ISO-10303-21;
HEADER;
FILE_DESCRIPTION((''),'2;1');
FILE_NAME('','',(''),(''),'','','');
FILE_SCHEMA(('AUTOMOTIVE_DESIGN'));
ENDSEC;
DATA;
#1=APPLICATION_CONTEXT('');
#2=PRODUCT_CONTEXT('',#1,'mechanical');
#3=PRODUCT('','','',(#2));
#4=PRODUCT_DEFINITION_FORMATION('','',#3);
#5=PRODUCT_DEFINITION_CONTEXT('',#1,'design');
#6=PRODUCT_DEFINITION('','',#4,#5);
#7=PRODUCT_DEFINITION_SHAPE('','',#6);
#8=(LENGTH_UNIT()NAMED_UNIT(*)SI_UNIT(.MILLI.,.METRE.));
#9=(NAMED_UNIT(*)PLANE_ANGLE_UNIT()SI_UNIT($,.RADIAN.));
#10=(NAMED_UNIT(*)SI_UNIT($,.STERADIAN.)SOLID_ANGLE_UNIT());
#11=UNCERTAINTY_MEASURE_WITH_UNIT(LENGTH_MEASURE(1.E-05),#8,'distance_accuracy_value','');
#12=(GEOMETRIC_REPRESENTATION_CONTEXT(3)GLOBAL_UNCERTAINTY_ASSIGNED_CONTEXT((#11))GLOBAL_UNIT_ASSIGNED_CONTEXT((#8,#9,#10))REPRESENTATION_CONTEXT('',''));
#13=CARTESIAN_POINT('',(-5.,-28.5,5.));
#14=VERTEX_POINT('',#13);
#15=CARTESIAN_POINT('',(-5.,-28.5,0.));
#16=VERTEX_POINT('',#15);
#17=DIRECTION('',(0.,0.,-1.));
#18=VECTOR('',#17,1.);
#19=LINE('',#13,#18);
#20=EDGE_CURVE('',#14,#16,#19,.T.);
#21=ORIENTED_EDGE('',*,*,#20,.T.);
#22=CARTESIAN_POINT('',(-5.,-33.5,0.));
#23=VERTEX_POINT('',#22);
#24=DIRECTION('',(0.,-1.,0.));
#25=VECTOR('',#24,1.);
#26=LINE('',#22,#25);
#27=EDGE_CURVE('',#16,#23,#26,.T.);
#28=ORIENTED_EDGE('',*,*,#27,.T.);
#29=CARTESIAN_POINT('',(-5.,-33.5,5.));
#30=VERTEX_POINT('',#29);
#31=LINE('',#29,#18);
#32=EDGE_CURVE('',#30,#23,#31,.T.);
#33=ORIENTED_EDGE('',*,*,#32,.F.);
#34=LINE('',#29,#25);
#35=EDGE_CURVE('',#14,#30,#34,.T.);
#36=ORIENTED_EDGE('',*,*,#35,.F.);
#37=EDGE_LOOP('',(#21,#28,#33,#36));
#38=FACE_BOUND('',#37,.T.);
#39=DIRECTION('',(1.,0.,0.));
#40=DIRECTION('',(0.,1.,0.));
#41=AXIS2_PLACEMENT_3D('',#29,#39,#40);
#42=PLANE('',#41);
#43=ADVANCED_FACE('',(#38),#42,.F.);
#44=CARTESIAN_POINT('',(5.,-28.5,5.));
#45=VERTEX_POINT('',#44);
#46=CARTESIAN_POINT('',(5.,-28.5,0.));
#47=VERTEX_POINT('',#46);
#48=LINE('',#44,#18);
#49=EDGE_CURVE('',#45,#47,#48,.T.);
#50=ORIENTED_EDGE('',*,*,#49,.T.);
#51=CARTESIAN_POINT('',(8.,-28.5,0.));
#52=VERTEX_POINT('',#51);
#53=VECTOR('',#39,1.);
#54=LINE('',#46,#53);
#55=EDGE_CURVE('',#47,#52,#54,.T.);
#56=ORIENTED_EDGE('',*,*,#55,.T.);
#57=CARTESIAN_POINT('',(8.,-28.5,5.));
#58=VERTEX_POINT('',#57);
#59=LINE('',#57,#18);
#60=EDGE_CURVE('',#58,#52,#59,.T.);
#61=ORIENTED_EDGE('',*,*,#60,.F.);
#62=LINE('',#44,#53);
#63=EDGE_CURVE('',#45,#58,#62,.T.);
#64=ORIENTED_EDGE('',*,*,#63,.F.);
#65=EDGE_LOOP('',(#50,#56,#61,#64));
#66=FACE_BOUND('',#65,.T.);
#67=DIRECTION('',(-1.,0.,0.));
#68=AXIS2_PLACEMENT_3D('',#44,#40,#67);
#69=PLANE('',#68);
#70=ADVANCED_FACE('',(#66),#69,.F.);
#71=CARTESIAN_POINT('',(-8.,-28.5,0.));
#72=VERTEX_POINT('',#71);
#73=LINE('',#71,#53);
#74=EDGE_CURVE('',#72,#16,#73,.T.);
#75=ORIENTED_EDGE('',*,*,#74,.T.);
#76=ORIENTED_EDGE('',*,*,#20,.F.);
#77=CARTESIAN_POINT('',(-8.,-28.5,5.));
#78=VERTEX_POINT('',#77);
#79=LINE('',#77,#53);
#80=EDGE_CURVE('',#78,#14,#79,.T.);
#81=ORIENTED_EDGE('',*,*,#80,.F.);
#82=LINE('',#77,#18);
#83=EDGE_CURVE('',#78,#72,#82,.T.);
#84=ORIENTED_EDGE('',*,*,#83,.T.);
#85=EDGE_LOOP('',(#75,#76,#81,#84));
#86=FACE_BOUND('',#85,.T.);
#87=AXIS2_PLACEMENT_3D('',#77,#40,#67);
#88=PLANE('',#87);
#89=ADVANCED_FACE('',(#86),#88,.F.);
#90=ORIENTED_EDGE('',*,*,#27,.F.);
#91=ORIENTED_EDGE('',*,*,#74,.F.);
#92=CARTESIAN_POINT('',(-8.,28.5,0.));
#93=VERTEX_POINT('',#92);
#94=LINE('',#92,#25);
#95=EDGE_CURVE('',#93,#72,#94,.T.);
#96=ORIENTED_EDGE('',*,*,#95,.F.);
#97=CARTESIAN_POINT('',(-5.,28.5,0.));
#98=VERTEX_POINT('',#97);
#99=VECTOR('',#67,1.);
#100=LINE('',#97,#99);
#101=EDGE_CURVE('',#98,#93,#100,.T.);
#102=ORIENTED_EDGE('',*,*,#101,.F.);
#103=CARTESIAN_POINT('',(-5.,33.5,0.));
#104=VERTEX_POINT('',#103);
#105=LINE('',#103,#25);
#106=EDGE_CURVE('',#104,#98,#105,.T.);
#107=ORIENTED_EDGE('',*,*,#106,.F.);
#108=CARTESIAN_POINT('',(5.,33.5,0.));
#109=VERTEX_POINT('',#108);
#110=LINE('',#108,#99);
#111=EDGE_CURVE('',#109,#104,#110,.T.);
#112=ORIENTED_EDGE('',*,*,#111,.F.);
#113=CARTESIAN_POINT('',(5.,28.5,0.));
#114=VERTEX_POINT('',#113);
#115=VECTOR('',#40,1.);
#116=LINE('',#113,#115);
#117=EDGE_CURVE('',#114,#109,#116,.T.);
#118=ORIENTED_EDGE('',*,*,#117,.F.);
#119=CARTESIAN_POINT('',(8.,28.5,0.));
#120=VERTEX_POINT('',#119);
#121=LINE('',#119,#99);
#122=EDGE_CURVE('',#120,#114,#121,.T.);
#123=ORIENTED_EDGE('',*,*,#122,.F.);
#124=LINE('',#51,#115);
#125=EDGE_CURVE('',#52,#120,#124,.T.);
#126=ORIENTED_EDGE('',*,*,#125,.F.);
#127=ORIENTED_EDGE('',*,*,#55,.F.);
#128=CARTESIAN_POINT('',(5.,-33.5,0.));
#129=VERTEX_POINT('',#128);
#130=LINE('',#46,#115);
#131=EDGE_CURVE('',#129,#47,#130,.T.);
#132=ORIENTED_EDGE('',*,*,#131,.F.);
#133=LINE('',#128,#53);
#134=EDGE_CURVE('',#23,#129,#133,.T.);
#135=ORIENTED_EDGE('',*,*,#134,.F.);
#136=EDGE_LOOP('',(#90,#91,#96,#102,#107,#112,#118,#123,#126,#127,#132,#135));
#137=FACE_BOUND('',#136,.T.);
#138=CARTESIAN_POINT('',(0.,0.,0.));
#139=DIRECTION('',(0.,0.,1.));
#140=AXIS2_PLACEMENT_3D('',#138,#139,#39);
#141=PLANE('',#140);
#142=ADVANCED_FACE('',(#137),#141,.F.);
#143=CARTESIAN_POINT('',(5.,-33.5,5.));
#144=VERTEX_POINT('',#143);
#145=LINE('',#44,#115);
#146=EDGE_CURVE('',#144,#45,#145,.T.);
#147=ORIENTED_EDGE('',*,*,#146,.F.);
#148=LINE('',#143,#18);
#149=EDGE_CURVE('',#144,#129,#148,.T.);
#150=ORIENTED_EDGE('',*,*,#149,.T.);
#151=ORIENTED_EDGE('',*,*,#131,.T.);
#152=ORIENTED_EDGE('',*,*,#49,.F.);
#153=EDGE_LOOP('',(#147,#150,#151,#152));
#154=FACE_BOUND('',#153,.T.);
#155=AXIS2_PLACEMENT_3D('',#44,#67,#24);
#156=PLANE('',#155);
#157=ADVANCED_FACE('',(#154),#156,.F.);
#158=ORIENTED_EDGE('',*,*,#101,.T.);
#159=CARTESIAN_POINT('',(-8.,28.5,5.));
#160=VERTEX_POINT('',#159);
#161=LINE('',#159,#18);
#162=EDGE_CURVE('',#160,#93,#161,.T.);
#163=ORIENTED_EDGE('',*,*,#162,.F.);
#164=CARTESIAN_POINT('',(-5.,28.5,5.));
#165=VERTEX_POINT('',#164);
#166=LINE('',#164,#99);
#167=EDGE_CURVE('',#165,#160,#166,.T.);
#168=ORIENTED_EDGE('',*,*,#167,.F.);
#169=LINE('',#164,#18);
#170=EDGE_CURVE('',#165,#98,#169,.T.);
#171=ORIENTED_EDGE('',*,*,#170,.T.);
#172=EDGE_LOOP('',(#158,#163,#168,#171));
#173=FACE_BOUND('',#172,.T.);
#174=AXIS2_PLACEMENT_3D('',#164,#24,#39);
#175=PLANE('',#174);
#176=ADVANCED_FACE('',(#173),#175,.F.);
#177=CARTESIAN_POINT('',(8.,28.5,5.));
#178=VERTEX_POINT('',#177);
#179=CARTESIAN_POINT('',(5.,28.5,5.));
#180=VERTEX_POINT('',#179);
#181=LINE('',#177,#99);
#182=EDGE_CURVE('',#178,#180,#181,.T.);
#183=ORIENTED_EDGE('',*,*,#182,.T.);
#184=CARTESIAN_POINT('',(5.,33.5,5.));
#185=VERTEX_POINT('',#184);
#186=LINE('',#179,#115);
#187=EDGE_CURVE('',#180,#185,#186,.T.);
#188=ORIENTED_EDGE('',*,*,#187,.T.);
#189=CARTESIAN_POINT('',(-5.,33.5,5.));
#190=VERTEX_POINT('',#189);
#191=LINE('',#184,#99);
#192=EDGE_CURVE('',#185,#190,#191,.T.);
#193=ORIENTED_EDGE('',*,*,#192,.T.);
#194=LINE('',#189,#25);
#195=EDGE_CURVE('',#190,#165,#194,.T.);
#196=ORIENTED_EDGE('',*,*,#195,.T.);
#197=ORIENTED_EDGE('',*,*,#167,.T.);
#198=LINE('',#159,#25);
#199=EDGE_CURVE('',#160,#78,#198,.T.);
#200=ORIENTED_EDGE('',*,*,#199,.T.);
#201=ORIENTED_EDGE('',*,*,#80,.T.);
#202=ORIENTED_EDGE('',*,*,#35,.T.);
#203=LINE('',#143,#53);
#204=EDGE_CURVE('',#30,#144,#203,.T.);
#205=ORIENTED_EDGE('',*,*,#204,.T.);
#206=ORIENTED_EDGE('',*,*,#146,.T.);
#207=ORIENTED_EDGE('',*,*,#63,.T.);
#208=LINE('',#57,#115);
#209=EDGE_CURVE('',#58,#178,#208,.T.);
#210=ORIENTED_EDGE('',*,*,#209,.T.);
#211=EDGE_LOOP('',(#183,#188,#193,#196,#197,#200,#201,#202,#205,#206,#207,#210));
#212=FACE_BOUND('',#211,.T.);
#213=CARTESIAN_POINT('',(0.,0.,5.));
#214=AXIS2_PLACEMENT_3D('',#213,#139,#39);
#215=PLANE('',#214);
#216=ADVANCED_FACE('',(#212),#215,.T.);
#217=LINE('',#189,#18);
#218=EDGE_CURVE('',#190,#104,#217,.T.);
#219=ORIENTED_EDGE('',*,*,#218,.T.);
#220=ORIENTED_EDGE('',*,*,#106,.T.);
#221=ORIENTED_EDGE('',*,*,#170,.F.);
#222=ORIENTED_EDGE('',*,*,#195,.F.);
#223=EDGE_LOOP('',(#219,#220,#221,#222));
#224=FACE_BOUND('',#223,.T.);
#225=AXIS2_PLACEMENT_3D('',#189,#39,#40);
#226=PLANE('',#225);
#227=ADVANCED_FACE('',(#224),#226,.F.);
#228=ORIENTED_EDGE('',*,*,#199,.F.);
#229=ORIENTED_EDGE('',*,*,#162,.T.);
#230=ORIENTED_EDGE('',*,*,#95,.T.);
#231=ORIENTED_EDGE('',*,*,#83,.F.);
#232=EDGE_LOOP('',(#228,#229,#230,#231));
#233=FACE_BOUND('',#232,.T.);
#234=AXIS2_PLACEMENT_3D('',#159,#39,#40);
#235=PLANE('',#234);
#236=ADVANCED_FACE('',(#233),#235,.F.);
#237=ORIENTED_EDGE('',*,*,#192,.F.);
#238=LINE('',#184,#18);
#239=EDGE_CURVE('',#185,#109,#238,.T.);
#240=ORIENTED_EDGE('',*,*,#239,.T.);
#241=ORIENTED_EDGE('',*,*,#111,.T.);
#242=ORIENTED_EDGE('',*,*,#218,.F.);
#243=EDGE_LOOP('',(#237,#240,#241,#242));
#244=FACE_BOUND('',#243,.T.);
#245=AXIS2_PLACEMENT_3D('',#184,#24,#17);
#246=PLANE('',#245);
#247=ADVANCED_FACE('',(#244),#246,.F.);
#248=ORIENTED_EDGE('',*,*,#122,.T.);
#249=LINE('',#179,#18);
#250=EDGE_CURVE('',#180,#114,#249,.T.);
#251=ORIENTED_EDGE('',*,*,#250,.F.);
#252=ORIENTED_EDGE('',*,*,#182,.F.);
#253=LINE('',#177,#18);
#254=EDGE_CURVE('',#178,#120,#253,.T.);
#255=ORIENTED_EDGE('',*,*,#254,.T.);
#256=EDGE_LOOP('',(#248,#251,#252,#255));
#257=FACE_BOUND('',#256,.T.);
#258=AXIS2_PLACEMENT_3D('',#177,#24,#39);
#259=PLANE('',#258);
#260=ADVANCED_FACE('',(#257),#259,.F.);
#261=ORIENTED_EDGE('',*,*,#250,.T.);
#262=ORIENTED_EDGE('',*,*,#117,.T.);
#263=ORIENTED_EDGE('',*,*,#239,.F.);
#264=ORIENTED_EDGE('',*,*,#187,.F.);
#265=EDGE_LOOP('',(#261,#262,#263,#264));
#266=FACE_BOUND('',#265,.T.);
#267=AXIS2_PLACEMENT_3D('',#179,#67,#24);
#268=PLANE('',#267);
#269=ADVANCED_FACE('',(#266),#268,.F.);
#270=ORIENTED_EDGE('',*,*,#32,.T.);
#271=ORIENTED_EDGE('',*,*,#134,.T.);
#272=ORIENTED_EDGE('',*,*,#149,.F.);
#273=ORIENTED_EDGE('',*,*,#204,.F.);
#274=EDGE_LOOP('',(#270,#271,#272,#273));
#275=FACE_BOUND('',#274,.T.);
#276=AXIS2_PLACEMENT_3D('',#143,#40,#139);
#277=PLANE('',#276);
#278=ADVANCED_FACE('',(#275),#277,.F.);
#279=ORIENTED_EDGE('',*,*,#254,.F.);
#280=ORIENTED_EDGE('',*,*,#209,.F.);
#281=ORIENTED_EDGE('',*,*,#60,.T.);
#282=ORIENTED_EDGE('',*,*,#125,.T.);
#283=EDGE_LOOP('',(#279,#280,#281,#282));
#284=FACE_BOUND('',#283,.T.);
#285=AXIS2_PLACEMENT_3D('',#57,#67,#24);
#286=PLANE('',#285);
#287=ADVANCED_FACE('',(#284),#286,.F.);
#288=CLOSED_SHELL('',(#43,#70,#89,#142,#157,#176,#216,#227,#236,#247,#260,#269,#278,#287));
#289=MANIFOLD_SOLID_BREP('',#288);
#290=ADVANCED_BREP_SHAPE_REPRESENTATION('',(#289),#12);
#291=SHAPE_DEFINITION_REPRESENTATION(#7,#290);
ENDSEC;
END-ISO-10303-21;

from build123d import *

# Parameters (mm, degrees)
BOSS_EXTRUDE1_DEPTH = 5


with BuildPart() as part:
    # Sketch2 → Boss-Extrude1 (new body)
    with BuildSketch(Plane.XY):
        Polygon((-5, 28.5), (-8, 28.5), (-8, -28.5), (-5, -28.5), (-5, -33.5), (5, -33.5), (5, -28.5), (8, -28.5), (8, 28.5), (5, 28.5), (5, 33.5), (-5, 33.5), align=None)
    extrude(amount=BOSS_EXTRUDE1_DEPTH)


solid = part.part
